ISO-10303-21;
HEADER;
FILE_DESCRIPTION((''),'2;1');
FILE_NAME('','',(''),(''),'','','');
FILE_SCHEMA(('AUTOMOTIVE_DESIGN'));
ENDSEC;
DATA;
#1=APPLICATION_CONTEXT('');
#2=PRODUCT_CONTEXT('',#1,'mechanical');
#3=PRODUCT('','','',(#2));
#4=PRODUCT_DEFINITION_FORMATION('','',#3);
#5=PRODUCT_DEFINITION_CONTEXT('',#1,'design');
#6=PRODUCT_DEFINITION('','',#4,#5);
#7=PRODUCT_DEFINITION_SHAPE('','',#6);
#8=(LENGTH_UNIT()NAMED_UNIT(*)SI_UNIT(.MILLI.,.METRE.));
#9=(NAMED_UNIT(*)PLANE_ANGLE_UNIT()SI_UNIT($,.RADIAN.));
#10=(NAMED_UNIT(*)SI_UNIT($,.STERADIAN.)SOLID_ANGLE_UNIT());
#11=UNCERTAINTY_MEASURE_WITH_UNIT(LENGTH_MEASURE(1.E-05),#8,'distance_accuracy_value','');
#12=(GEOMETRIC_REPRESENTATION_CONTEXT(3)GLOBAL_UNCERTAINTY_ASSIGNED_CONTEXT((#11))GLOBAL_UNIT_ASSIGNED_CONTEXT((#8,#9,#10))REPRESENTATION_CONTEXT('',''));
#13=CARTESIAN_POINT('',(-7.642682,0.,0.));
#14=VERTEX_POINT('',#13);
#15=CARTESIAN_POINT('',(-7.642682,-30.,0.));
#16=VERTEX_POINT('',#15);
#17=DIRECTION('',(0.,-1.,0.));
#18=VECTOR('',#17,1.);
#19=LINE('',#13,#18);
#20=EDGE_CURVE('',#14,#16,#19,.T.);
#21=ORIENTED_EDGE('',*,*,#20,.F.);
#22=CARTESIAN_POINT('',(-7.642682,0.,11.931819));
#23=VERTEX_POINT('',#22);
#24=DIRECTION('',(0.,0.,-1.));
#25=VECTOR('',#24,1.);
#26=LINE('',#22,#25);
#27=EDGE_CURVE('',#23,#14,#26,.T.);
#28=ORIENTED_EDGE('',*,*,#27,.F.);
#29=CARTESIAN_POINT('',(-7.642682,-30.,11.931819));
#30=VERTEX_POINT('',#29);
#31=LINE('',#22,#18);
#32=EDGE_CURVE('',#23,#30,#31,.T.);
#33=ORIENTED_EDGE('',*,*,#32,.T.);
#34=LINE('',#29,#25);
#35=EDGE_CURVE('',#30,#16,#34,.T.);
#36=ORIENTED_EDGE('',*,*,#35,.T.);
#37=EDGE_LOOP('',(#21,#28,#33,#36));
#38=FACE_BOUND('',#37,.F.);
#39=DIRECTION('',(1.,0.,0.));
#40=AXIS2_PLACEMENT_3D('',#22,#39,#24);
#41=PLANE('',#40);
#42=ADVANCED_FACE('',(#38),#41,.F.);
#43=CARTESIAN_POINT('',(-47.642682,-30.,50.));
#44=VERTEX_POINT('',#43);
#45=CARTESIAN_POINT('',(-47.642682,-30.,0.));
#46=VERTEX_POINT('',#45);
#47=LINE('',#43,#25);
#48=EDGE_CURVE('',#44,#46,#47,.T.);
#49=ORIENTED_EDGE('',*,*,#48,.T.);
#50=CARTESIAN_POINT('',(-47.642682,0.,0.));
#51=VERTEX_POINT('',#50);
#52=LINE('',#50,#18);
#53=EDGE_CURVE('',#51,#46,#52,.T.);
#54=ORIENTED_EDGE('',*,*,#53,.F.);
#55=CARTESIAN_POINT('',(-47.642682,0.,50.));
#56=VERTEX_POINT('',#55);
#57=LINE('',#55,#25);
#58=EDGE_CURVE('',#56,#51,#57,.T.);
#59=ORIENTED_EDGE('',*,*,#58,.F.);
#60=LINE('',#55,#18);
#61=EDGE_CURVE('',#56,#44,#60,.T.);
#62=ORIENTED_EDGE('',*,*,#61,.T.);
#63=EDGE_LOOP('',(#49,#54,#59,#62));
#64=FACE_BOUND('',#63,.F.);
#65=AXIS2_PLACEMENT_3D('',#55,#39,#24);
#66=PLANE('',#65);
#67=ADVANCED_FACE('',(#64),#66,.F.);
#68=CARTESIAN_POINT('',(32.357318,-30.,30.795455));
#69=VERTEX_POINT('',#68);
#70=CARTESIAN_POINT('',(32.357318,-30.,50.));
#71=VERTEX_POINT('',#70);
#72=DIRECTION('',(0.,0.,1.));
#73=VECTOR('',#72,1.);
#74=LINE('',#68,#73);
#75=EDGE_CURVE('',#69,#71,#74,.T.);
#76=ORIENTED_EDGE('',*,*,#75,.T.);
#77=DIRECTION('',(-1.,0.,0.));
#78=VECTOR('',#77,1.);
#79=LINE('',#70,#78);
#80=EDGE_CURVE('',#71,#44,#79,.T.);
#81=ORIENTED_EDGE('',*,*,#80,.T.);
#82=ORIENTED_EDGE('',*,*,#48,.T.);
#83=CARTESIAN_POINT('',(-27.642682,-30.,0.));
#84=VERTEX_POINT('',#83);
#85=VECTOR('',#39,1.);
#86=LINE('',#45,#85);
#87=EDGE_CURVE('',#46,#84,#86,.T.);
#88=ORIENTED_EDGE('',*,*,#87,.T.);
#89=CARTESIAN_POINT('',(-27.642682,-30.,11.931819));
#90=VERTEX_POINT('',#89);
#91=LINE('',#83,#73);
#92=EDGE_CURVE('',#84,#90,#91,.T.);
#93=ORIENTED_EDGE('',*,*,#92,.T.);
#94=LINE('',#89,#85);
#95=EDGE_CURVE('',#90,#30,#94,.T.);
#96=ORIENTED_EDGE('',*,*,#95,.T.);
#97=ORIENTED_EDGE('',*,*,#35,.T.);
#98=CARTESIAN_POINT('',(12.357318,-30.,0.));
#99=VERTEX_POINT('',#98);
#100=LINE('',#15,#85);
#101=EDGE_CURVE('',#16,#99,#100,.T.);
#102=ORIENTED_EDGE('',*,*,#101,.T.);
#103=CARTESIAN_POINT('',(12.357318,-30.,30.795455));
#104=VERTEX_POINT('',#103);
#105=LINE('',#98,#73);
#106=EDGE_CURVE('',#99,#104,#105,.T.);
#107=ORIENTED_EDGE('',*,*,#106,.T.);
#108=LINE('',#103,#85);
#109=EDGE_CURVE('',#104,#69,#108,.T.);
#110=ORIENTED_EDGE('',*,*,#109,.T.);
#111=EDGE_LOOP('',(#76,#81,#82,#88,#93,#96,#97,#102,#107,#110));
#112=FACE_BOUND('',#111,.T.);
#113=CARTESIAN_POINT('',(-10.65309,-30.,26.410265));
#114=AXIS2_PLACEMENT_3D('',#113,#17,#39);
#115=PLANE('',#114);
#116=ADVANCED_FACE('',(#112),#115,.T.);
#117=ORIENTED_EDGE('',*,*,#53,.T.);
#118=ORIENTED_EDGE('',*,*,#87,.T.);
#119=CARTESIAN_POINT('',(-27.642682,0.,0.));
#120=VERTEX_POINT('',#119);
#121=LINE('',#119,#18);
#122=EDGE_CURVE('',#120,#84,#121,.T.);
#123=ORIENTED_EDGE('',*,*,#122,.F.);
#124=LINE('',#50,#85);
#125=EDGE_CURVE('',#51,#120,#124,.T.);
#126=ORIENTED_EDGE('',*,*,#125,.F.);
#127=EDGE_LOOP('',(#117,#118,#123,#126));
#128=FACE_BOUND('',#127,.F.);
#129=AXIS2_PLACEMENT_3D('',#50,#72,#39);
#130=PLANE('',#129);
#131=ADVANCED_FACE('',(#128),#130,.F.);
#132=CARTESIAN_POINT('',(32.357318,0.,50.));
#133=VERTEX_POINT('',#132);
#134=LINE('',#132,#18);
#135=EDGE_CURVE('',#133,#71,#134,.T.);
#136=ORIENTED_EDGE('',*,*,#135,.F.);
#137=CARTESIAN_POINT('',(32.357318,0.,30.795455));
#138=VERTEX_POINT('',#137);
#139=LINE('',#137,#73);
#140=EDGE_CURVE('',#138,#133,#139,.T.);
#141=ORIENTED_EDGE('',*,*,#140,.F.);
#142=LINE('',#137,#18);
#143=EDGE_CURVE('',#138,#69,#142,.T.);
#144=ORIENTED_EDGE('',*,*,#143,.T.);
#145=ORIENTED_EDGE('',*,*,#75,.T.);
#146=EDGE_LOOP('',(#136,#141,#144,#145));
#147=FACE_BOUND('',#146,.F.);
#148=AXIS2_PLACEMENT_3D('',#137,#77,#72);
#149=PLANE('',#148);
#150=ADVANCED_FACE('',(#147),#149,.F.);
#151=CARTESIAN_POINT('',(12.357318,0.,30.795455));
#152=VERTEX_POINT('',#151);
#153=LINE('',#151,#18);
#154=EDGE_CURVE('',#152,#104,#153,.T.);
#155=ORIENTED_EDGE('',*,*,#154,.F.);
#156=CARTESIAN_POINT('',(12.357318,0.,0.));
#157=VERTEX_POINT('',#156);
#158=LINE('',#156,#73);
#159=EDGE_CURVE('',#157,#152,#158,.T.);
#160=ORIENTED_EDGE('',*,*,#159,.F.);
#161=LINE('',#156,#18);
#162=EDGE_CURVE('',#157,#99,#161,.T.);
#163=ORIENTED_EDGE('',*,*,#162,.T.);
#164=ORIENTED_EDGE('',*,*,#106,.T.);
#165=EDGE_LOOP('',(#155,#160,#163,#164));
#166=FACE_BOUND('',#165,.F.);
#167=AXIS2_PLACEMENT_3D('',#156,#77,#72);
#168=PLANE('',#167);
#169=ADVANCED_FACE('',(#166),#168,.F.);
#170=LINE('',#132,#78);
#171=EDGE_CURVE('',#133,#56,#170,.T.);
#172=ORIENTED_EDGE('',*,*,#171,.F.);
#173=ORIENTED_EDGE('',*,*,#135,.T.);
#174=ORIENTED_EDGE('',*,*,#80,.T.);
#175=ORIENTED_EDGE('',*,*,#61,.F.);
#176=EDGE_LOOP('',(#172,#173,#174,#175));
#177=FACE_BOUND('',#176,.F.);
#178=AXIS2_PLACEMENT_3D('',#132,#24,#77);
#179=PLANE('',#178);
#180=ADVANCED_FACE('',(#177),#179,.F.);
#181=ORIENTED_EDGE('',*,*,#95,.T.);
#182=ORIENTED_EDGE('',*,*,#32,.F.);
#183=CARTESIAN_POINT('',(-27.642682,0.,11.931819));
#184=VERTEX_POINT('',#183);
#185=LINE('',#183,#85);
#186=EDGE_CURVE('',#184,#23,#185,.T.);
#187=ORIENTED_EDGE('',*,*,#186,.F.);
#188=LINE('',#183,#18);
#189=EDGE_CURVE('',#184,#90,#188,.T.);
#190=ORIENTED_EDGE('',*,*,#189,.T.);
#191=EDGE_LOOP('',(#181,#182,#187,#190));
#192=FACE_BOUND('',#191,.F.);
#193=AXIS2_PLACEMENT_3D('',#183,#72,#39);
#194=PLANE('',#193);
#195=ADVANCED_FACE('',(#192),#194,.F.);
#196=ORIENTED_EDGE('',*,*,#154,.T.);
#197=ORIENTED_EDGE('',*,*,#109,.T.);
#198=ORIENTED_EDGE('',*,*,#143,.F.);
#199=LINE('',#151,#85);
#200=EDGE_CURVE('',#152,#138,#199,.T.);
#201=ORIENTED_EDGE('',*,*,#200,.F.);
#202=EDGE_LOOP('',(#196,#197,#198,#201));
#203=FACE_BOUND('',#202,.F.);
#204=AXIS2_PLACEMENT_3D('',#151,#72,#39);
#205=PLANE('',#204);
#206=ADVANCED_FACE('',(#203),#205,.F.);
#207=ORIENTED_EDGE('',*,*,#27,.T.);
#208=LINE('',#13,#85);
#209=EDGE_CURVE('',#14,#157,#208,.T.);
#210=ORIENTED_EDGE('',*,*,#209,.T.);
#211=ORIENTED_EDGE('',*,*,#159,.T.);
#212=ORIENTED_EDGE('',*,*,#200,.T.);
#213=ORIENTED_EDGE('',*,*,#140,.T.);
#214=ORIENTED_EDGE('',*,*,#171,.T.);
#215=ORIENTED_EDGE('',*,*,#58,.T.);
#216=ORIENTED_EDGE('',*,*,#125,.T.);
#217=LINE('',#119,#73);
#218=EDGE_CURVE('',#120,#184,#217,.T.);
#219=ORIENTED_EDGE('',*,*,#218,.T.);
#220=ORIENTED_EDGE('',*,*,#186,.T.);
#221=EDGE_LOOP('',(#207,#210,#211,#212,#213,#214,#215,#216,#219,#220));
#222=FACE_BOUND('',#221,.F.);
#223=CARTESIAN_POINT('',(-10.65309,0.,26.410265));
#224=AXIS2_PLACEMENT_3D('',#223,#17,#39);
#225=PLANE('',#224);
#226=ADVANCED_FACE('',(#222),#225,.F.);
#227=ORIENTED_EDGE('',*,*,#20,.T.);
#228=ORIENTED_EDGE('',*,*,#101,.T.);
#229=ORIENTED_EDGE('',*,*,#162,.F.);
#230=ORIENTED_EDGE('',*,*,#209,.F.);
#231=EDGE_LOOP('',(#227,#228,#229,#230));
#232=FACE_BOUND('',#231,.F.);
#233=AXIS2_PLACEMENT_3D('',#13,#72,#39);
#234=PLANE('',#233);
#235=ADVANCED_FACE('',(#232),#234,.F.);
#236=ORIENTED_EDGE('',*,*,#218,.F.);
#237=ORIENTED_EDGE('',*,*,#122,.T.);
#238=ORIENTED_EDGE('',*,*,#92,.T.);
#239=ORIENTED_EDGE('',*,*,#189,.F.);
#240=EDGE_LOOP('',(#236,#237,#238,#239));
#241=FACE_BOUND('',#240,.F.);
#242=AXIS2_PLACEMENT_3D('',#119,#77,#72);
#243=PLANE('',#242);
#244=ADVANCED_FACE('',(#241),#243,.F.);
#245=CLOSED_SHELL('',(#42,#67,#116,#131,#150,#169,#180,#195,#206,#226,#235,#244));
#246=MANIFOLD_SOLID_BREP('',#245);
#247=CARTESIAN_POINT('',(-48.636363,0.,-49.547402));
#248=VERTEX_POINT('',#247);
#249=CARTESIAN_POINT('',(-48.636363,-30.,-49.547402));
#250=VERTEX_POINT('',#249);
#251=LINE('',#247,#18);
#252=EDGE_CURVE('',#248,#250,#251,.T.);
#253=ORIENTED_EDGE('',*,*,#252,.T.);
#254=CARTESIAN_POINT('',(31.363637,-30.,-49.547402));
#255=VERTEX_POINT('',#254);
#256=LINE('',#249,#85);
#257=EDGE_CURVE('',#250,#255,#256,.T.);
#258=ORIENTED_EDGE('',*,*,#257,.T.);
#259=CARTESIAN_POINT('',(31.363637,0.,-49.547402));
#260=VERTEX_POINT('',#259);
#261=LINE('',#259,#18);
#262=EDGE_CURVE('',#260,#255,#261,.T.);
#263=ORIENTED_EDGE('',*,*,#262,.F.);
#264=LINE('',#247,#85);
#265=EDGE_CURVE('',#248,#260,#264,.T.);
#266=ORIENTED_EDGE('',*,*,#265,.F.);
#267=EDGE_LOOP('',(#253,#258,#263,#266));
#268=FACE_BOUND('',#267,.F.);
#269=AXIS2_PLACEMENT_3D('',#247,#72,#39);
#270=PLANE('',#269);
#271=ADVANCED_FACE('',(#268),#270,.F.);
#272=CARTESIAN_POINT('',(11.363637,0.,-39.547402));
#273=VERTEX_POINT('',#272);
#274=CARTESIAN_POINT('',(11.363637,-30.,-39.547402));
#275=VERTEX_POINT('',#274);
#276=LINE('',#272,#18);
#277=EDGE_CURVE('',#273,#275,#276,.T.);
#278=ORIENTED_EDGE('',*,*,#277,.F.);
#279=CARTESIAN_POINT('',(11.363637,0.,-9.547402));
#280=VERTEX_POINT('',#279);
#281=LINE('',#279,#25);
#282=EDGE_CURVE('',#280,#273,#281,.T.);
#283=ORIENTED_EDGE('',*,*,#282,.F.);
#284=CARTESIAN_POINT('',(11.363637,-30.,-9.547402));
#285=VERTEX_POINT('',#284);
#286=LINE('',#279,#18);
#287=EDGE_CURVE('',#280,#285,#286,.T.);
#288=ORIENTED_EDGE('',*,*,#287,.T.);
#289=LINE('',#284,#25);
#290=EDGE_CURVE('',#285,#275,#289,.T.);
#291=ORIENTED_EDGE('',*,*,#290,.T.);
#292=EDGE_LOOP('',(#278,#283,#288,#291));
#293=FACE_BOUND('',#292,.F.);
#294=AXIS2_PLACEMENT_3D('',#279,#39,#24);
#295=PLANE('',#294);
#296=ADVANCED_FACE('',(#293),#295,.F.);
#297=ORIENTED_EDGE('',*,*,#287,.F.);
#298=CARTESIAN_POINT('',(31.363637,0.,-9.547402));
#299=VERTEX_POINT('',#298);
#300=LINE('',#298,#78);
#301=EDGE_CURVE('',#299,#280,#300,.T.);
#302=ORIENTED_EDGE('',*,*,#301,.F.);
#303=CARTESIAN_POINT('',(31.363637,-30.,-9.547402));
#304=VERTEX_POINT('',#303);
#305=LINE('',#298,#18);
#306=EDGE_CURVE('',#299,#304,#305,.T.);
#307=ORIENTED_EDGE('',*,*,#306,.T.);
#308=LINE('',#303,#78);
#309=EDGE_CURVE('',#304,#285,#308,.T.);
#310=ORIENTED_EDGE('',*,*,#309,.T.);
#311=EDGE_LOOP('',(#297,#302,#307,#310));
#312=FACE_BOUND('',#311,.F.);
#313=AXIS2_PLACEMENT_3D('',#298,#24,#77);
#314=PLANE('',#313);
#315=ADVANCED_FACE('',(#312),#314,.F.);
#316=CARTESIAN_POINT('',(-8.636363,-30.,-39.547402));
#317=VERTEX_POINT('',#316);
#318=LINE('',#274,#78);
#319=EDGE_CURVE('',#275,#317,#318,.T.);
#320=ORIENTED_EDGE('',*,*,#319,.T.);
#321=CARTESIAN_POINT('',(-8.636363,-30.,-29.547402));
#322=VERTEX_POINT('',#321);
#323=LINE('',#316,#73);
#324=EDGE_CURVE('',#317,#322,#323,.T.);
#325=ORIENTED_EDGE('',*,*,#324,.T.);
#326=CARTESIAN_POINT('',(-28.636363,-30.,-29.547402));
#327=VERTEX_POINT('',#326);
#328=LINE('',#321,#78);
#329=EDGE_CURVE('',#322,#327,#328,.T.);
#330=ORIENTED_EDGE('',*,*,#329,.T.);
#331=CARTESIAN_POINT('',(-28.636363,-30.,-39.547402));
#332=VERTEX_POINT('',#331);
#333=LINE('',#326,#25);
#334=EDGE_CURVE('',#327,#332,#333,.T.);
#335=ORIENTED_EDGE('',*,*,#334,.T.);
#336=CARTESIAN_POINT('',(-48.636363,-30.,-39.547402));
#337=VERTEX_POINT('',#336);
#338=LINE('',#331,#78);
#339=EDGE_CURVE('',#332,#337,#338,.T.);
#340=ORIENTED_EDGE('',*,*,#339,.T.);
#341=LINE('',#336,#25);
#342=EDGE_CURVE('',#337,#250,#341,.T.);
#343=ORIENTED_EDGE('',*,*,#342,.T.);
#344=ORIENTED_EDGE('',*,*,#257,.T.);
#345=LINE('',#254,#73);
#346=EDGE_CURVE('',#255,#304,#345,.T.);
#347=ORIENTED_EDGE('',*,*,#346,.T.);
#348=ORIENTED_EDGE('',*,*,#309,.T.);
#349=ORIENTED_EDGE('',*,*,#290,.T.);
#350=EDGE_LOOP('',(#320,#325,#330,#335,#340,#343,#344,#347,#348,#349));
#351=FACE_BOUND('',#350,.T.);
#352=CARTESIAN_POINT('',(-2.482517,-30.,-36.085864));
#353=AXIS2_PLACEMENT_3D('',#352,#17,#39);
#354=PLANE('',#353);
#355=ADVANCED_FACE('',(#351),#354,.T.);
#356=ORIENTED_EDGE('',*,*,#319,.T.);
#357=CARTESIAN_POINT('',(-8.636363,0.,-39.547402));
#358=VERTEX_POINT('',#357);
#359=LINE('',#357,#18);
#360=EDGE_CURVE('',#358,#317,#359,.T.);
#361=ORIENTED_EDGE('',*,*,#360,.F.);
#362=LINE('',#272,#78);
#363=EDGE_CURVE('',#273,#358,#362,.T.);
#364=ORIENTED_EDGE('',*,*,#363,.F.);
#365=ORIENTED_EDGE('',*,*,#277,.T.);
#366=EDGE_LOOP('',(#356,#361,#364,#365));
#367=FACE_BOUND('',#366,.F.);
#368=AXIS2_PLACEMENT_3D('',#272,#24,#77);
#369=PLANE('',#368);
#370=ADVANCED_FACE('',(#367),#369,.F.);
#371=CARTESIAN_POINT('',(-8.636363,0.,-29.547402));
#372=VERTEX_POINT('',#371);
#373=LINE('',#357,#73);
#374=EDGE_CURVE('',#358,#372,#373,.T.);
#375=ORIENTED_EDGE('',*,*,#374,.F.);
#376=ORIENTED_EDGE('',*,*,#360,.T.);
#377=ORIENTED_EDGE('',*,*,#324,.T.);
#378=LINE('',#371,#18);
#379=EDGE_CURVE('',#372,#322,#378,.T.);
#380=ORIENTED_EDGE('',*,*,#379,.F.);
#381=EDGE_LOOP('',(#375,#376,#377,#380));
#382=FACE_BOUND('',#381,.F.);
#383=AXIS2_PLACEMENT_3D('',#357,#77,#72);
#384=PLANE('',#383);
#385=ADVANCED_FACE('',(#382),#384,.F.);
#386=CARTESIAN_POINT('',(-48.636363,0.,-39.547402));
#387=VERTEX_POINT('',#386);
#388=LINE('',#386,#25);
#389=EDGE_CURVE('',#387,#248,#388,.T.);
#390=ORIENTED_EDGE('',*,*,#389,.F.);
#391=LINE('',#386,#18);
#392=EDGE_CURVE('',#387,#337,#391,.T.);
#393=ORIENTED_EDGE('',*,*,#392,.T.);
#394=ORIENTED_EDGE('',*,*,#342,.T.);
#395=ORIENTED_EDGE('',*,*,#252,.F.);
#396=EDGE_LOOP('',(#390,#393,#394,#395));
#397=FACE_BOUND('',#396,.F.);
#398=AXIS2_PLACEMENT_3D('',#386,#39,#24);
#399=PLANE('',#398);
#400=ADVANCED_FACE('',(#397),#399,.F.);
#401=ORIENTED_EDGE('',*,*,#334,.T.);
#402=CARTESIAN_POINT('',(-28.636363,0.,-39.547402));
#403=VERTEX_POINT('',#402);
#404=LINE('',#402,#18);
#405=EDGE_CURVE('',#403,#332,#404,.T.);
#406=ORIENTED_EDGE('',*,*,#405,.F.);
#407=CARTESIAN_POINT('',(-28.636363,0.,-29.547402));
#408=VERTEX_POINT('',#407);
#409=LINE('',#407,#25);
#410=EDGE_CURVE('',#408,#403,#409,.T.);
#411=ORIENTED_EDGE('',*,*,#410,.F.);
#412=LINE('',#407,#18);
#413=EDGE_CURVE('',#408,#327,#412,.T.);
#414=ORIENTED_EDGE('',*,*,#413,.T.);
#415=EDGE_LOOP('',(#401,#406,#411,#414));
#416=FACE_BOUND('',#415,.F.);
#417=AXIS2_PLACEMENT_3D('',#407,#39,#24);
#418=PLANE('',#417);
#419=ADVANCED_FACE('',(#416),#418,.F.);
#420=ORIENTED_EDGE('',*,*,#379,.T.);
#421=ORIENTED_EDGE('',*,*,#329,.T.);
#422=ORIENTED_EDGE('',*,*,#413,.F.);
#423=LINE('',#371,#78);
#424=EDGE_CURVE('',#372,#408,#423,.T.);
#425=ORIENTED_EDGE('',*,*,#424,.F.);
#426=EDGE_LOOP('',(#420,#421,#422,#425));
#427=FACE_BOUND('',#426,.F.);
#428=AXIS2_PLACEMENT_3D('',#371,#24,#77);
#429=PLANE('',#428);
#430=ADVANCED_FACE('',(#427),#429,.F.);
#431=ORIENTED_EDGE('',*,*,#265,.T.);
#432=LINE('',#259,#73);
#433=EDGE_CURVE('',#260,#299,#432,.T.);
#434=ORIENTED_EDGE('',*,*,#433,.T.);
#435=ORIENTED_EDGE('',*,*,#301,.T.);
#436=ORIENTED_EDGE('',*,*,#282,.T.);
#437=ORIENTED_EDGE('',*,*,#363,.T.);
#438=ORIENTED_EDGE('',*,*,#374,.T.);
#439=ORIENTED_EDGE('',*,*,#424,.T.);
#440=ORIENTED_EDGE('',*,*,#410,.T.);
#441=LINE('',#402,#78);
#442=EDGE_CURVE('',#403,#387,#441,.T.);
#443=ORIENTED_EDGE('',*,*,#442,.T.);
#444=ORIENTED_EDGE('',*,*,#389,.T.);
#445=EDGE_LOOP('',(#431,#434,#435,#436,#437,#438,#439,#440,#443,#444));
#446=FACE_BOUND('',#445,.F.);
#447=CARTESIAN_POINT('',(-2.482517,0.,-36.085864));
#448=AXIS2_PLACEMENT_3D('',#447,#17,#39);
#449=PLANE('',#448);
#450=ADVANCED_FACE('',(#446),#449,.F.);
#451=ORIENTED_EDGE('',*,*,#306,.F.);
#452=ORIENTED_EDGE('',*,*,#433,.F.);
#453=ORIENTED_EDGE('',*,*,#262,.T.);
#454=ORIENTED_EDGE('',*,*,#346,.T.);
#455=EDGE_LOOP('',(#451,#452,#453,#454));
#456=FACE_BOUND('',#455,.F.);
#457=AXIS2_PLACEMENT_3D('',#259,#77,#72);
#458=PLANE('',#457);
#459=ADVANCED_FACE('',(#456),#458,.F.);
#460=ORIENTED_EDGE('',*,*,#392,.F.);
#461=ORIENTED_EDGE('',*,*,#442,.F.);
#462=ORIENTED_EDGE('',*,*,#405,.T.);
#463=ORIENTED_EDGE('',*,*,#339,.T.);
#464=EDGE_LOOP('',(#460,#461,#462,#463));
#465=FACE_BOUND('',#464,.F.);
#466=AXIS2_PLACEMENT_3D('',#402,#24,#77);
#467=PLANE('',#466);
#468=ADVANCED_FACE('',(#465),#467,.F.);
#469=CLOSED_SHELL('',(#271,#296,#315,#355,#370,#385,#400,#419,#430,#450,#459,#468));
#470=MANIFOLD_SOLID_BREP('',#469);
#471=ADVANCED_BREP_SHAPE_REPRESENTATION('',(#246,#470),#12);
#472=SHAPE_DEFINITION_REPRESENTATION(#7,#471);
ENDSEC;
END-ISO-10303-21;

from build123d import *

# Parameters (mm, degrees)
F1_DEPTH = 30
F3_DEPTH = 30


with BuildPart() as f1:
    # F0 (on Front) → F1 (new body)
    with BuildSketch(Plane.XZ):
        Polygon((32.357318, 50), (-47.642682, 50), (-47.642682, 0), (-27.642682, 0), (-27.642682, 11.931819), (-7.642682, 11.931819), (-7.642682, 0), (12.357318, 0), (12.357318, 30.795455), (32.357318, 30.795455), align=None)
    extrude(amount=F1_DEPTH)


with BuildPart() as f3:
    # F2 (on Front) → F3 (new body)
    with BuildSketch(Plane.XZ):
        Polygon((31.363637, -9.547402), (11.363637, -9.547402), (11.363637, -39.547402), (-8.636363, -39.547402), (-8.636363, -29.547402), (-28.636363, -29.547402), (-28.636363, -39.547402), (-48.636363, -39.547402), (-48.636363, -49.547402), (31.363637, -49.547402), align=None)
    extrude(amount=F3_DEPTH)


solid = Compound([f1.part, f3.part])
